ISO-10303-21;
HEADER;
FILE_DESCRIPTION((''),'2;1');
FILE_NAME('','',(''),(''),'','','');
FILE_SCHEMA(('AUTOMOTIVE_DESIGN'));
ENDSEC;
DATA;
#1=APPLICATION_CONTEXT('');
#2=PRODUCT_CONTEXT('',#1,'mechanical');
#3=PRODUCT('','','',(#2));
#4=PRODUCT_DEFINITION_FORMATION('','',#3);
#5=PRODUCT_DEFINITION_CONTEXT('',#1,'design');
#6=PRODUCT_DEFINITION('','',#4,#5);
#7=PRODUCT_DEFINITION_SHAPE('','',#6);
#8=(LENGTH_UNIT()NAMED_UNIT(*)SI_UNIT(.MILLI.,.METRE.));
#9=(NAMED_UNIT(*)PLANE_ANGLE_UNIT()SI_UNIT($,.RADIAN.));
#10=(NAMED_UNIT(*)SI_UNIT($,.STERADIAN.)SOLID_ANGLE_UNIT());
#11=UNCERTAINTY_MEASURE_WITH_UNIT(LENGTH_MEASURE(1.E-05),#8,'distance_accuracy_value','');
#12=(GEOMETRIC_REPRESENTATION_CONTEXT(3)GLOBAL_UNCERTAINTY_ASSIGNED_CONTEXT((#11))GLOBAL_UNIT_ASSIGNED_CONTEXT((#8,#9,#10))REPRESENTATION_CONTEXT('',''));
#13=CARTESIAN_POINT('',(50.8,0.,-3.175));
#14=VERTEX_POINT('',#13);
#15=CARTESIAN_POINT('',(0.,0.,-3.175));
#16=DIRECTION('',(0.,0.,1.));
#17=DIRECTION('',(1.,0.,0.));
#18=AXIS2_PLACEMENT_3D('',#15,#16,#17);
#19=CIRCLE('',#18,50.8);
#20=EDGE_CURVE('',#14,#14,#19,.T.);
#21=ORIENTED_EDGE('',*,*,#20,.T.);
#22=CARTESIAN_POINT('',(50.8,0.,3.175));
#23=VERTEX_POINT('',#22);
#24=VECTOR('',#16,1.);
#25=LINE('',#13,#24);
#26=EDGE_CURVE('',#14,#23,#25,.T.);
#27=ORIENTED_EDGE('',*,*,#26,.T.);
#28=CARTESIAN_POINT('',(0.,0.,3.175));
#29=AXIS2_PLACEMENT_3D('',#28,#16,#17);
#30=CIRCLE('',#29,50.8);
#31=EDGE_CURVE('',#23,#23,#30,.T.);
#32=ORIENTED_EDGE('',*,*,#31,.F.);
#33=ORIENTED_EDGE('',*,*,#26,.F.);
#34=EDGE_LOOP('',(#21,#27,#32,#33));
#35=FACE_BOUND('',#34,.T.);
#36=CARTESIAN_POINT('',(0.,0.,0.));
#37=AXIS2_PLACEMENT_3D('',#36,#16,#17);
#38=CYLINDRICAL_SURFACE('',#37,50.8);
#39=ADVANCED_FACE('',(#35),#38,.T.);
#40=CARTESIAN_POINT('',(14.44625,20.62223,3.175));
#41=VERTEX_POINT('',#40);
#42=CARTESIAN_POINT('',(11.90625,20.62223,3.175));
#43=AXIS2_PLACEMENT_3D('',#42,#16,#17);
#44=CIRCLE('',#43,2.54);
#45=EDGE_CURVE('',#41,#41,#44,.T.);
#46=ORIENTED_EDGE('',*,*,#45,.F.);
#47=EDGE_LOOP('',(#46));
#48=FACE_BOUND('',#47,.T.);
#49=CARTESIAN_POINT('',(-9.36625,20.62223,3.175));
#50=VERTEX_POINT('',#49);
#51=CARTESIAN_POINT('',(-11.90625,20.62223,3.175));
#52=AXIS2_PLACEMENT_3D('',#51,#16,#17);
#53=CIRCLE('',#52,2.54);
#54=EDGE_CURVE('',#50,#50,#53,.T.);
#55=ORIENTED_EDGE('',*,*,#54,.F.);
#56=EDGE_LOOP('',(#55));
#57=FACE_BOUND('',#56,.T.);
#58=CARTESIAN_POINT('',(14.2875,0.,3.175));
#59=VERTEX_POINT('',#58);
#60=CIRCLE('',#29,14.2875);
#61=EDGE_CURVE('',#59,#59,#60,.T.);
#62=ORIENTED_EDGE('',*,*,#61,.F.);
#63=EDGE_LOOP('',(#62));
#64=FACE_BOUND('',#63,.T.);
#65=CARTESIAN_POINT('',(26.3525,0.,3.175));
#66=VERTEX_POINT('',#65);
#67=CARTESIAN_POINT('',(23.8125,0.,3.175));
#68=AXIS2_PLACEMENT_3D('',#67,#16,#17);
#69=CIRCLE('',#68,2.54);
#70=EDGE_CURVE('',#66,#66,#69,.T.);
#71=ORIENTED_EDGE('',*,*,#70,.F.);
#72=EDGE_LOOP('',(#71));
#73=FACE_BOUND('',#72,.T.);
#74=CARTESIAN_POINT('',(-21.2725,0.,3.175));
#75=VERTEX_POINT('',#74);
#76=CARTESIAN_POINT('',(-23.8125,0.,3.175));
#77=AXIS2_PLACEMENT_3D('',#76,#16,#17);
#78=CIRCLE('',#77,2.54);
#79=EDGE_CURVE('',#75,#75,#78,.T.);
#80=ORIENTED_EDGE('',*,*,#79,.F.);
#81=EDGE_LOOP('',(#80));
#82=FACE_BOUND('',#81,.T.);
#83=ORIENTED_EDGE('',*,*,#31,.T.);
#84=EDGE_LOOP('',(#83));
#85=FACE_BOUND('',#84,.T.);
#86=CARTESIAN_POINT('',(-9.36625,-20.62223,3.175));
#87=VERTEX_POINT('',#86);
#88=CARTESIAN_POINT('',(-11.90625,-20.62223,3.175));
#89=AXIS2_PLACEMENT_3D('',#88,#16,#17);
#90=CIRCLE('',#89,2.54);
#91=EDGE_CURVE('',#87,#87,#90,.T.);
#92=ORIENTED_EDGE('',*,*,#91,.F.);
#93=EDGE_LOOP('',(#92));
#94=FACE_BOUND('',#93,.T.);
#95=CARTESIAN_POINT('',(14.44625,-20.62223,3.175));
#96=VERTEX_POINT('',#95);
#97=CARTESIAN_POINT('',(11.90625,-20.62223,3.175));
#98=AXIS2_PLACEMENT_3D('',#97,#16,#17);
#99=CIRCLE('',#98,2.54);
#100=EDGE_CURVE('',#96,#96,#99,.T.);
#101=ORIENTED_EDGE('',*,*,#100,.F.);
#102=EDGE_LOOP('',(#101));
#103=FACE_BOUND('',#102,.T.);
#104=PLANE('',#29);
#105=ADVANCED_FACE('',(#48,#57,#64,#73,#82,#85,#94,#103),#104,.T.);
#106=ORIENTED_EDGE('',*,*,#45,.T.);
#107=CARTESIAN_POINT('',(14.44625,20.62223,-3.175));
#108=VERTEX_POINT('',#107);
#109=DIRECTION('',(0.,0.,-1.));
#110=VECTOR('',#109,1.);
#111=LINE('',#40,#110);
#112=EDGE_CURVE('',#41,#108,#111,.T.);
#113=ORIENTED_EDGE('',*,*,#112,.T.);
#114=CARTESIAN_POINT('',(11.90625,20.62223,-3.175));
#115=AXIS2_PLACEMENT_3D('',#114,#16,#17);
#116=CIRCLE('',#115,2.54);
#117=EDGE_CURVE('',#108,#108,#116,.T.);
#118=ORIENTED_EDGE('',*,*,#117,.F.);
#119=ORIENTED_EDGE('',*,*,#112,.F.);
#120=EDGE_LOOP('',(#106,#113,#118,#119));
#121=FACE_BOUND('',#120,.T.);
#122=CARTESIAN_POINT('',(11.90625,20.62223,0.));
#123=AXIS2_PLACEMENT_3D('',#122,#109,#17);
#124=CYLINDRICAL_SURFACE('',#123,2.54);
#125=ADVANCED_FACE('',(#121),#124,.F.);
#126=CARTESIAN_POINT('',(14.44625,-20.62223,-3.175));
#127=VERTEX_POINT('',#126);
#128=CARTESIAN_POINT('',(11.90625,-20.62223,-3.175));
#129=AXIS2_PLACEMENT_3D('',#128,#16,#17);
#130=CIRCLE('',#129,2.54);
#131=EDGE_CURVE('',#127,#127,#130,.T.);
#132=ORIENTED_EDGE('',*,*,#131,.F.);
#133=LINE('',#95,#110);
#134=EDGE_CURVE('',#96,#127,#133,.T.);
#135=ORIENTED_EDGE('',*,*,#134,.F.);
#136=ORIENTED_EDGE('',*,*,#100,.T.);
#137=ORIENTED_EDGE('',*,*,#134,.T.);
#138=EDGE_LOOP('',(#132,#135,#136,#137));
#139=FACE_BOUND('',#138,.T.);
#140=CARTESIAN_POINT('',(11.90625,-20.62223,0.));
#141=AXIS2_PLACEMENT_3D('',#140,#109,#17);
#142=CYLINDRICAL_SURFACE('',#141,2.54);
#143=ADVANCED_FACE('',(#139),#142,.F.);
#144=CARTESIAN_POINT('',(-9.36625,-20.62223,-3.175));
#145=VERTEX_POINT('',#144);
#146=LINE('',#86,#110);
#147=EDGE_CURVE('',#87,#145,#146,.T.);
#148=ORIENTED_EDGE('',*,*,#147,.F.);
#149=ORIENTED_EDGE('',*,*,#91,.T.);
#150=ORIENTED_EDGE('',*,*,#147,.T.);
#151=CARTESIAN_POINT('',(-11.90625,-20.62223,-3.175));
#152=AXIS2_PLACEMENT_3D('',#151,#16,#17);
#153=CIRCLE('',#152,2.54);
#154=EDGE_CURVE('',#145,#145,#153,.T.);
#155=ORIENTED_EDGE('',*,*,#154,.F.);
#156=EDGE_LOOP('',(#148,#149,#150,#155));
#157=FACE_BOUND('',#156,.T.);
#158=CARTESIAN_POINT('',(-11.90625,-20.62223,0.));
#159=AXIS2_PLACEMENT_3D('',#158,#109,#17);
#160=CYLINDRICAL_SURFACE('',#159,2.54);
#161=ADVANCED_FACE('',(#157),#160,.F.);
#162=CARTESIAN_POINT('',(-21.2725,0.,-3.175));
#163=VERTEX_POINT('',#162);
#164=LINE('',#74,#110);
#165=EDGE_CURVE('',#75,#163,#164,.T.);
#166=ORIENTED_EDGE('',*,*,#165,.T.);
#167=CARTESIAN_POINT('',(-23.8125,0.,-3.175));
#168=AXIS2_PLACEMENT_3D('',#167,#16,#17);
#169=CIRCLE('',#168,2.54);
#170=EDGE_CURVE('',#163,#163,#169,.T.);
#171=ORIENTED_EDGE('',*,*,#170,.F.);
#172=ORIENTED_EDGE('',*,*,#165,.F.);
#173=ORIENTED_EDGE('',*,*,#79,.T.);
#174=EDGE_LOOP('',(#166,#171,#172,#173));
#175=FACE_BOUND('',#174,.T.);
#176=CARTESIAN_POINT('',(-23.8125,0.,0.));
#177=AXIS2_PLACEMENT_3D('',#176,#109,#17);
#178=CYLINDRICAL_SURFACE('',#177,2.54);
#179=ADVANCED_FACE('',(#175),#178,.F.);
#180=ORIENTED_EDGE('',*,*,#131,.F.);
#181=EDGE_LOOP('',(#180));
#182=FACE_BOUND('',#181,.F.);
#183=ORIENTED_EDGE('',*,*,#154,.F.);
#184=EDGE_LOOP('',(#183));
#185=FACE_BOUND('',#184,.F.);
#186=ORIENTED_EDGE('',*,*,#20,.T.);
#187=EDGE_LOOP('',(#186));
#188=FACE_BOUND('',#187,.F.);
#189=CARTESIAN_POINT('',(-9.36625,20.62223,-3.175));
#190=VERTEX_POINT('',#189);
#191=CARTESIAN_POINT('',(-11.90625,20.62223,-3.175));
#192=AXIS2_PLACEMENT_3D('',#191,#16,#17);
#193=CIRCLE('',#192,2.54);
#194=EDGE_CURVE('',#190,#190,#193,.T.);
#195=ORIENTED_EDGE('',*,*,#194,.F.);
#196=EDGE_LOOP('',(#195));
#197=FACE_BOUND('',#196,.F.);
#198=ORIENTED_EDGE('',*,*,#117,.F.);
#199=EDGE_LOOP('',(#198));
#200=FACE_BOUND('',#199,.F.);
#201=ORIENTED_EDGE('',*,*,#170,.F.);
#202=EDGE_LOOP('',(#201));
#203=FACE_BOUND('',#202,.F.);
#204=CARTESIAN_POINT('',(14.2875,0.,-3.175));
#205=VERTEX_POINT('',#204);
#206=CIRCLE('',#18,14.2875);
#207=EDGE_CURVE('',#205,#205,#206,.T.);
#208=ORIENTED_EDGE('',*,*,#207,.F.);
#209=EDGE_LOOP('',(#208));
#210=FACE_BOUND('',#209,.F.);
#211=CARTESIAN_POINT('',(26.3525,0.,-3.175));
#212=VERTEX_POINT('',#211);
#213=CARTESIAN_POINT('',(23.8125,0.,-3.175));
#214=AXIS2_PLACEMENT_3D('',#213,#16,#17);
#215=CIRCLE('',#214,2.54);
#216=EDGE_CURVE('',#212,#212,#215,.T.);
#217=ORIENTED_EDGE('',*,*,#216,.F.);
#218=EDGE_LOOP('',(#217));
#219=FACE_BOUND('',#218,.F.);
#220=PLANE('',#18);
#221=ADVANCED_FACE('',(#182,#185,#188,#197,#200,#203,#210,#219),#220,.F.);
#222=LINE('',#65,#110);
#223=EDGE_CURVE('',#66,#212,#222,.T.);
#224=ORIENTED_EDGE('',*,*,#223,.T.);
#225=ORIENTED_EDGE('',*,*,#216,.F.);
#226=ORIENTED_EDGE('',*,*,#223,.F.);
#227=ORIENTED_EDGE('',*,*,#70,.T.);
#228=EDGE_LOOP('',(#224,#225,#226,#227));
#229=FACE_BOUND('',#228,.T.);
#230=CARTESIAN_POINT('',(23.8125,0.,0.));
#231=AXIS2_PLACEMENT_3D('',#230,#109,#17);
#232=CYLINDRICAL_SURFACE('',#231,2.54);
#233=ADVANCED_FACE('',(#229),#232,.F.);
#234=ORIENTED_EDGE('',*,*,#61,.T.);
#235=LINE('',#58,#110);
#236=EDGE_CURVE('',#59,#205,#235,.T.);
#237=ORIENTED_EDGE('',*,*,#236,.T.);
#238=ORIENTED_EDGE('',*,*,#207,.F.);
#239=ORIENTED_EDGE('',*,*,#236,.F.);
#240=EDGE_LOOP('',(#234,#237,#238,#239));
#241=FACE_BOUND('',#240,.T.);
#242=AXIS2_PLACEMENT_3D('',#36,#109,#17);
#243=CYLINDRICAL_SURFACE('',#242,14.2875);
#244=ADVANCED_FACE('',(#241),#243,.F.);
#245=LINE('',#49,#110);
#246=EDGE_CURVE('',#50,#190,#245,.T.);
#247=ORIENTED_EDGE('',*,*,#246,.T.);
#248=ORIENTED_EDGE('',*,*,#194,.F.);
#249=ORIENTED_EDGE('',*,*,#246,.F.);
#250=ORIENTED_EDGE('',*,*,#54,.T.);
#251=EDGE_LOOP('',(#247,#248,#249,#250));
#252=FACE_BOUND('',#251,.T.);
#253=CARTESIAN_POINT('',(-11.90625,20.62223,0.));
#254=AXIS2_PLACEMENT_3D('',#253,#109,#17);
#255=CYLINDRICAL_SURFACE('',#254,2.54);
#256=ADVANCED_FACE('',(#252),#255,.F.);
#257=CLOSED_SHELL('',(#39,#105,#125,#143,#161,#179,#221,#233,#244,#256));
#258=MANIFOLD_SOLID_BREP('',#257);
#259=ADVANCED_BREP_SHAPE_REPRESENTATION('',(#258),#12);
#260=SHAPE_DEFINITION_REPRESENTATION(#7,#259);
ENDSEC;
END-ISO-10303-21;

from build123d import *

# Parameters (mm, degrees)
F0_R     = 50.8
F0_R_2   = 2.54
F0_R_3   = 14.2875
F1_DEPTH = 3.175


with BuildPart() as f1:
    # F0 (on Top) → F1 (new body, symmetric)
    with BuildSketch(Plane.XY):
        Circle(F0_R)
        with Locations((-11.90625, -20.6222299276)):
            Circle(F0_R_2, mode=Mode.SUBTRACT)
        with Locations((-23.8125, 0)):
            Circle(F0_R_2, mode=Mode.SUBTRACT)
        Circle(F0_R_3, mode=Mode.SUBTRACT)
        with Locations((11.90625, -20.6222299276)):
            Circle(F0_R_2, mode=Mode.SUBTRACT)
        with Locations((23.8125, 0)):
            Circle(F0_R_2, mode=Mode.SUBTRACT)
        with Locations((-11.90625, 20.6222299276)):
            Circle(F0_R_2, mode=Mode.SUBTRACT)
        with Locations((11.90625, 20.6222299276)):
            Circle(F0_R_2, mode=Mode.SUBTRACT)
    extrude(amount=F1_DEPTH, both=True)


solid = f1.part
